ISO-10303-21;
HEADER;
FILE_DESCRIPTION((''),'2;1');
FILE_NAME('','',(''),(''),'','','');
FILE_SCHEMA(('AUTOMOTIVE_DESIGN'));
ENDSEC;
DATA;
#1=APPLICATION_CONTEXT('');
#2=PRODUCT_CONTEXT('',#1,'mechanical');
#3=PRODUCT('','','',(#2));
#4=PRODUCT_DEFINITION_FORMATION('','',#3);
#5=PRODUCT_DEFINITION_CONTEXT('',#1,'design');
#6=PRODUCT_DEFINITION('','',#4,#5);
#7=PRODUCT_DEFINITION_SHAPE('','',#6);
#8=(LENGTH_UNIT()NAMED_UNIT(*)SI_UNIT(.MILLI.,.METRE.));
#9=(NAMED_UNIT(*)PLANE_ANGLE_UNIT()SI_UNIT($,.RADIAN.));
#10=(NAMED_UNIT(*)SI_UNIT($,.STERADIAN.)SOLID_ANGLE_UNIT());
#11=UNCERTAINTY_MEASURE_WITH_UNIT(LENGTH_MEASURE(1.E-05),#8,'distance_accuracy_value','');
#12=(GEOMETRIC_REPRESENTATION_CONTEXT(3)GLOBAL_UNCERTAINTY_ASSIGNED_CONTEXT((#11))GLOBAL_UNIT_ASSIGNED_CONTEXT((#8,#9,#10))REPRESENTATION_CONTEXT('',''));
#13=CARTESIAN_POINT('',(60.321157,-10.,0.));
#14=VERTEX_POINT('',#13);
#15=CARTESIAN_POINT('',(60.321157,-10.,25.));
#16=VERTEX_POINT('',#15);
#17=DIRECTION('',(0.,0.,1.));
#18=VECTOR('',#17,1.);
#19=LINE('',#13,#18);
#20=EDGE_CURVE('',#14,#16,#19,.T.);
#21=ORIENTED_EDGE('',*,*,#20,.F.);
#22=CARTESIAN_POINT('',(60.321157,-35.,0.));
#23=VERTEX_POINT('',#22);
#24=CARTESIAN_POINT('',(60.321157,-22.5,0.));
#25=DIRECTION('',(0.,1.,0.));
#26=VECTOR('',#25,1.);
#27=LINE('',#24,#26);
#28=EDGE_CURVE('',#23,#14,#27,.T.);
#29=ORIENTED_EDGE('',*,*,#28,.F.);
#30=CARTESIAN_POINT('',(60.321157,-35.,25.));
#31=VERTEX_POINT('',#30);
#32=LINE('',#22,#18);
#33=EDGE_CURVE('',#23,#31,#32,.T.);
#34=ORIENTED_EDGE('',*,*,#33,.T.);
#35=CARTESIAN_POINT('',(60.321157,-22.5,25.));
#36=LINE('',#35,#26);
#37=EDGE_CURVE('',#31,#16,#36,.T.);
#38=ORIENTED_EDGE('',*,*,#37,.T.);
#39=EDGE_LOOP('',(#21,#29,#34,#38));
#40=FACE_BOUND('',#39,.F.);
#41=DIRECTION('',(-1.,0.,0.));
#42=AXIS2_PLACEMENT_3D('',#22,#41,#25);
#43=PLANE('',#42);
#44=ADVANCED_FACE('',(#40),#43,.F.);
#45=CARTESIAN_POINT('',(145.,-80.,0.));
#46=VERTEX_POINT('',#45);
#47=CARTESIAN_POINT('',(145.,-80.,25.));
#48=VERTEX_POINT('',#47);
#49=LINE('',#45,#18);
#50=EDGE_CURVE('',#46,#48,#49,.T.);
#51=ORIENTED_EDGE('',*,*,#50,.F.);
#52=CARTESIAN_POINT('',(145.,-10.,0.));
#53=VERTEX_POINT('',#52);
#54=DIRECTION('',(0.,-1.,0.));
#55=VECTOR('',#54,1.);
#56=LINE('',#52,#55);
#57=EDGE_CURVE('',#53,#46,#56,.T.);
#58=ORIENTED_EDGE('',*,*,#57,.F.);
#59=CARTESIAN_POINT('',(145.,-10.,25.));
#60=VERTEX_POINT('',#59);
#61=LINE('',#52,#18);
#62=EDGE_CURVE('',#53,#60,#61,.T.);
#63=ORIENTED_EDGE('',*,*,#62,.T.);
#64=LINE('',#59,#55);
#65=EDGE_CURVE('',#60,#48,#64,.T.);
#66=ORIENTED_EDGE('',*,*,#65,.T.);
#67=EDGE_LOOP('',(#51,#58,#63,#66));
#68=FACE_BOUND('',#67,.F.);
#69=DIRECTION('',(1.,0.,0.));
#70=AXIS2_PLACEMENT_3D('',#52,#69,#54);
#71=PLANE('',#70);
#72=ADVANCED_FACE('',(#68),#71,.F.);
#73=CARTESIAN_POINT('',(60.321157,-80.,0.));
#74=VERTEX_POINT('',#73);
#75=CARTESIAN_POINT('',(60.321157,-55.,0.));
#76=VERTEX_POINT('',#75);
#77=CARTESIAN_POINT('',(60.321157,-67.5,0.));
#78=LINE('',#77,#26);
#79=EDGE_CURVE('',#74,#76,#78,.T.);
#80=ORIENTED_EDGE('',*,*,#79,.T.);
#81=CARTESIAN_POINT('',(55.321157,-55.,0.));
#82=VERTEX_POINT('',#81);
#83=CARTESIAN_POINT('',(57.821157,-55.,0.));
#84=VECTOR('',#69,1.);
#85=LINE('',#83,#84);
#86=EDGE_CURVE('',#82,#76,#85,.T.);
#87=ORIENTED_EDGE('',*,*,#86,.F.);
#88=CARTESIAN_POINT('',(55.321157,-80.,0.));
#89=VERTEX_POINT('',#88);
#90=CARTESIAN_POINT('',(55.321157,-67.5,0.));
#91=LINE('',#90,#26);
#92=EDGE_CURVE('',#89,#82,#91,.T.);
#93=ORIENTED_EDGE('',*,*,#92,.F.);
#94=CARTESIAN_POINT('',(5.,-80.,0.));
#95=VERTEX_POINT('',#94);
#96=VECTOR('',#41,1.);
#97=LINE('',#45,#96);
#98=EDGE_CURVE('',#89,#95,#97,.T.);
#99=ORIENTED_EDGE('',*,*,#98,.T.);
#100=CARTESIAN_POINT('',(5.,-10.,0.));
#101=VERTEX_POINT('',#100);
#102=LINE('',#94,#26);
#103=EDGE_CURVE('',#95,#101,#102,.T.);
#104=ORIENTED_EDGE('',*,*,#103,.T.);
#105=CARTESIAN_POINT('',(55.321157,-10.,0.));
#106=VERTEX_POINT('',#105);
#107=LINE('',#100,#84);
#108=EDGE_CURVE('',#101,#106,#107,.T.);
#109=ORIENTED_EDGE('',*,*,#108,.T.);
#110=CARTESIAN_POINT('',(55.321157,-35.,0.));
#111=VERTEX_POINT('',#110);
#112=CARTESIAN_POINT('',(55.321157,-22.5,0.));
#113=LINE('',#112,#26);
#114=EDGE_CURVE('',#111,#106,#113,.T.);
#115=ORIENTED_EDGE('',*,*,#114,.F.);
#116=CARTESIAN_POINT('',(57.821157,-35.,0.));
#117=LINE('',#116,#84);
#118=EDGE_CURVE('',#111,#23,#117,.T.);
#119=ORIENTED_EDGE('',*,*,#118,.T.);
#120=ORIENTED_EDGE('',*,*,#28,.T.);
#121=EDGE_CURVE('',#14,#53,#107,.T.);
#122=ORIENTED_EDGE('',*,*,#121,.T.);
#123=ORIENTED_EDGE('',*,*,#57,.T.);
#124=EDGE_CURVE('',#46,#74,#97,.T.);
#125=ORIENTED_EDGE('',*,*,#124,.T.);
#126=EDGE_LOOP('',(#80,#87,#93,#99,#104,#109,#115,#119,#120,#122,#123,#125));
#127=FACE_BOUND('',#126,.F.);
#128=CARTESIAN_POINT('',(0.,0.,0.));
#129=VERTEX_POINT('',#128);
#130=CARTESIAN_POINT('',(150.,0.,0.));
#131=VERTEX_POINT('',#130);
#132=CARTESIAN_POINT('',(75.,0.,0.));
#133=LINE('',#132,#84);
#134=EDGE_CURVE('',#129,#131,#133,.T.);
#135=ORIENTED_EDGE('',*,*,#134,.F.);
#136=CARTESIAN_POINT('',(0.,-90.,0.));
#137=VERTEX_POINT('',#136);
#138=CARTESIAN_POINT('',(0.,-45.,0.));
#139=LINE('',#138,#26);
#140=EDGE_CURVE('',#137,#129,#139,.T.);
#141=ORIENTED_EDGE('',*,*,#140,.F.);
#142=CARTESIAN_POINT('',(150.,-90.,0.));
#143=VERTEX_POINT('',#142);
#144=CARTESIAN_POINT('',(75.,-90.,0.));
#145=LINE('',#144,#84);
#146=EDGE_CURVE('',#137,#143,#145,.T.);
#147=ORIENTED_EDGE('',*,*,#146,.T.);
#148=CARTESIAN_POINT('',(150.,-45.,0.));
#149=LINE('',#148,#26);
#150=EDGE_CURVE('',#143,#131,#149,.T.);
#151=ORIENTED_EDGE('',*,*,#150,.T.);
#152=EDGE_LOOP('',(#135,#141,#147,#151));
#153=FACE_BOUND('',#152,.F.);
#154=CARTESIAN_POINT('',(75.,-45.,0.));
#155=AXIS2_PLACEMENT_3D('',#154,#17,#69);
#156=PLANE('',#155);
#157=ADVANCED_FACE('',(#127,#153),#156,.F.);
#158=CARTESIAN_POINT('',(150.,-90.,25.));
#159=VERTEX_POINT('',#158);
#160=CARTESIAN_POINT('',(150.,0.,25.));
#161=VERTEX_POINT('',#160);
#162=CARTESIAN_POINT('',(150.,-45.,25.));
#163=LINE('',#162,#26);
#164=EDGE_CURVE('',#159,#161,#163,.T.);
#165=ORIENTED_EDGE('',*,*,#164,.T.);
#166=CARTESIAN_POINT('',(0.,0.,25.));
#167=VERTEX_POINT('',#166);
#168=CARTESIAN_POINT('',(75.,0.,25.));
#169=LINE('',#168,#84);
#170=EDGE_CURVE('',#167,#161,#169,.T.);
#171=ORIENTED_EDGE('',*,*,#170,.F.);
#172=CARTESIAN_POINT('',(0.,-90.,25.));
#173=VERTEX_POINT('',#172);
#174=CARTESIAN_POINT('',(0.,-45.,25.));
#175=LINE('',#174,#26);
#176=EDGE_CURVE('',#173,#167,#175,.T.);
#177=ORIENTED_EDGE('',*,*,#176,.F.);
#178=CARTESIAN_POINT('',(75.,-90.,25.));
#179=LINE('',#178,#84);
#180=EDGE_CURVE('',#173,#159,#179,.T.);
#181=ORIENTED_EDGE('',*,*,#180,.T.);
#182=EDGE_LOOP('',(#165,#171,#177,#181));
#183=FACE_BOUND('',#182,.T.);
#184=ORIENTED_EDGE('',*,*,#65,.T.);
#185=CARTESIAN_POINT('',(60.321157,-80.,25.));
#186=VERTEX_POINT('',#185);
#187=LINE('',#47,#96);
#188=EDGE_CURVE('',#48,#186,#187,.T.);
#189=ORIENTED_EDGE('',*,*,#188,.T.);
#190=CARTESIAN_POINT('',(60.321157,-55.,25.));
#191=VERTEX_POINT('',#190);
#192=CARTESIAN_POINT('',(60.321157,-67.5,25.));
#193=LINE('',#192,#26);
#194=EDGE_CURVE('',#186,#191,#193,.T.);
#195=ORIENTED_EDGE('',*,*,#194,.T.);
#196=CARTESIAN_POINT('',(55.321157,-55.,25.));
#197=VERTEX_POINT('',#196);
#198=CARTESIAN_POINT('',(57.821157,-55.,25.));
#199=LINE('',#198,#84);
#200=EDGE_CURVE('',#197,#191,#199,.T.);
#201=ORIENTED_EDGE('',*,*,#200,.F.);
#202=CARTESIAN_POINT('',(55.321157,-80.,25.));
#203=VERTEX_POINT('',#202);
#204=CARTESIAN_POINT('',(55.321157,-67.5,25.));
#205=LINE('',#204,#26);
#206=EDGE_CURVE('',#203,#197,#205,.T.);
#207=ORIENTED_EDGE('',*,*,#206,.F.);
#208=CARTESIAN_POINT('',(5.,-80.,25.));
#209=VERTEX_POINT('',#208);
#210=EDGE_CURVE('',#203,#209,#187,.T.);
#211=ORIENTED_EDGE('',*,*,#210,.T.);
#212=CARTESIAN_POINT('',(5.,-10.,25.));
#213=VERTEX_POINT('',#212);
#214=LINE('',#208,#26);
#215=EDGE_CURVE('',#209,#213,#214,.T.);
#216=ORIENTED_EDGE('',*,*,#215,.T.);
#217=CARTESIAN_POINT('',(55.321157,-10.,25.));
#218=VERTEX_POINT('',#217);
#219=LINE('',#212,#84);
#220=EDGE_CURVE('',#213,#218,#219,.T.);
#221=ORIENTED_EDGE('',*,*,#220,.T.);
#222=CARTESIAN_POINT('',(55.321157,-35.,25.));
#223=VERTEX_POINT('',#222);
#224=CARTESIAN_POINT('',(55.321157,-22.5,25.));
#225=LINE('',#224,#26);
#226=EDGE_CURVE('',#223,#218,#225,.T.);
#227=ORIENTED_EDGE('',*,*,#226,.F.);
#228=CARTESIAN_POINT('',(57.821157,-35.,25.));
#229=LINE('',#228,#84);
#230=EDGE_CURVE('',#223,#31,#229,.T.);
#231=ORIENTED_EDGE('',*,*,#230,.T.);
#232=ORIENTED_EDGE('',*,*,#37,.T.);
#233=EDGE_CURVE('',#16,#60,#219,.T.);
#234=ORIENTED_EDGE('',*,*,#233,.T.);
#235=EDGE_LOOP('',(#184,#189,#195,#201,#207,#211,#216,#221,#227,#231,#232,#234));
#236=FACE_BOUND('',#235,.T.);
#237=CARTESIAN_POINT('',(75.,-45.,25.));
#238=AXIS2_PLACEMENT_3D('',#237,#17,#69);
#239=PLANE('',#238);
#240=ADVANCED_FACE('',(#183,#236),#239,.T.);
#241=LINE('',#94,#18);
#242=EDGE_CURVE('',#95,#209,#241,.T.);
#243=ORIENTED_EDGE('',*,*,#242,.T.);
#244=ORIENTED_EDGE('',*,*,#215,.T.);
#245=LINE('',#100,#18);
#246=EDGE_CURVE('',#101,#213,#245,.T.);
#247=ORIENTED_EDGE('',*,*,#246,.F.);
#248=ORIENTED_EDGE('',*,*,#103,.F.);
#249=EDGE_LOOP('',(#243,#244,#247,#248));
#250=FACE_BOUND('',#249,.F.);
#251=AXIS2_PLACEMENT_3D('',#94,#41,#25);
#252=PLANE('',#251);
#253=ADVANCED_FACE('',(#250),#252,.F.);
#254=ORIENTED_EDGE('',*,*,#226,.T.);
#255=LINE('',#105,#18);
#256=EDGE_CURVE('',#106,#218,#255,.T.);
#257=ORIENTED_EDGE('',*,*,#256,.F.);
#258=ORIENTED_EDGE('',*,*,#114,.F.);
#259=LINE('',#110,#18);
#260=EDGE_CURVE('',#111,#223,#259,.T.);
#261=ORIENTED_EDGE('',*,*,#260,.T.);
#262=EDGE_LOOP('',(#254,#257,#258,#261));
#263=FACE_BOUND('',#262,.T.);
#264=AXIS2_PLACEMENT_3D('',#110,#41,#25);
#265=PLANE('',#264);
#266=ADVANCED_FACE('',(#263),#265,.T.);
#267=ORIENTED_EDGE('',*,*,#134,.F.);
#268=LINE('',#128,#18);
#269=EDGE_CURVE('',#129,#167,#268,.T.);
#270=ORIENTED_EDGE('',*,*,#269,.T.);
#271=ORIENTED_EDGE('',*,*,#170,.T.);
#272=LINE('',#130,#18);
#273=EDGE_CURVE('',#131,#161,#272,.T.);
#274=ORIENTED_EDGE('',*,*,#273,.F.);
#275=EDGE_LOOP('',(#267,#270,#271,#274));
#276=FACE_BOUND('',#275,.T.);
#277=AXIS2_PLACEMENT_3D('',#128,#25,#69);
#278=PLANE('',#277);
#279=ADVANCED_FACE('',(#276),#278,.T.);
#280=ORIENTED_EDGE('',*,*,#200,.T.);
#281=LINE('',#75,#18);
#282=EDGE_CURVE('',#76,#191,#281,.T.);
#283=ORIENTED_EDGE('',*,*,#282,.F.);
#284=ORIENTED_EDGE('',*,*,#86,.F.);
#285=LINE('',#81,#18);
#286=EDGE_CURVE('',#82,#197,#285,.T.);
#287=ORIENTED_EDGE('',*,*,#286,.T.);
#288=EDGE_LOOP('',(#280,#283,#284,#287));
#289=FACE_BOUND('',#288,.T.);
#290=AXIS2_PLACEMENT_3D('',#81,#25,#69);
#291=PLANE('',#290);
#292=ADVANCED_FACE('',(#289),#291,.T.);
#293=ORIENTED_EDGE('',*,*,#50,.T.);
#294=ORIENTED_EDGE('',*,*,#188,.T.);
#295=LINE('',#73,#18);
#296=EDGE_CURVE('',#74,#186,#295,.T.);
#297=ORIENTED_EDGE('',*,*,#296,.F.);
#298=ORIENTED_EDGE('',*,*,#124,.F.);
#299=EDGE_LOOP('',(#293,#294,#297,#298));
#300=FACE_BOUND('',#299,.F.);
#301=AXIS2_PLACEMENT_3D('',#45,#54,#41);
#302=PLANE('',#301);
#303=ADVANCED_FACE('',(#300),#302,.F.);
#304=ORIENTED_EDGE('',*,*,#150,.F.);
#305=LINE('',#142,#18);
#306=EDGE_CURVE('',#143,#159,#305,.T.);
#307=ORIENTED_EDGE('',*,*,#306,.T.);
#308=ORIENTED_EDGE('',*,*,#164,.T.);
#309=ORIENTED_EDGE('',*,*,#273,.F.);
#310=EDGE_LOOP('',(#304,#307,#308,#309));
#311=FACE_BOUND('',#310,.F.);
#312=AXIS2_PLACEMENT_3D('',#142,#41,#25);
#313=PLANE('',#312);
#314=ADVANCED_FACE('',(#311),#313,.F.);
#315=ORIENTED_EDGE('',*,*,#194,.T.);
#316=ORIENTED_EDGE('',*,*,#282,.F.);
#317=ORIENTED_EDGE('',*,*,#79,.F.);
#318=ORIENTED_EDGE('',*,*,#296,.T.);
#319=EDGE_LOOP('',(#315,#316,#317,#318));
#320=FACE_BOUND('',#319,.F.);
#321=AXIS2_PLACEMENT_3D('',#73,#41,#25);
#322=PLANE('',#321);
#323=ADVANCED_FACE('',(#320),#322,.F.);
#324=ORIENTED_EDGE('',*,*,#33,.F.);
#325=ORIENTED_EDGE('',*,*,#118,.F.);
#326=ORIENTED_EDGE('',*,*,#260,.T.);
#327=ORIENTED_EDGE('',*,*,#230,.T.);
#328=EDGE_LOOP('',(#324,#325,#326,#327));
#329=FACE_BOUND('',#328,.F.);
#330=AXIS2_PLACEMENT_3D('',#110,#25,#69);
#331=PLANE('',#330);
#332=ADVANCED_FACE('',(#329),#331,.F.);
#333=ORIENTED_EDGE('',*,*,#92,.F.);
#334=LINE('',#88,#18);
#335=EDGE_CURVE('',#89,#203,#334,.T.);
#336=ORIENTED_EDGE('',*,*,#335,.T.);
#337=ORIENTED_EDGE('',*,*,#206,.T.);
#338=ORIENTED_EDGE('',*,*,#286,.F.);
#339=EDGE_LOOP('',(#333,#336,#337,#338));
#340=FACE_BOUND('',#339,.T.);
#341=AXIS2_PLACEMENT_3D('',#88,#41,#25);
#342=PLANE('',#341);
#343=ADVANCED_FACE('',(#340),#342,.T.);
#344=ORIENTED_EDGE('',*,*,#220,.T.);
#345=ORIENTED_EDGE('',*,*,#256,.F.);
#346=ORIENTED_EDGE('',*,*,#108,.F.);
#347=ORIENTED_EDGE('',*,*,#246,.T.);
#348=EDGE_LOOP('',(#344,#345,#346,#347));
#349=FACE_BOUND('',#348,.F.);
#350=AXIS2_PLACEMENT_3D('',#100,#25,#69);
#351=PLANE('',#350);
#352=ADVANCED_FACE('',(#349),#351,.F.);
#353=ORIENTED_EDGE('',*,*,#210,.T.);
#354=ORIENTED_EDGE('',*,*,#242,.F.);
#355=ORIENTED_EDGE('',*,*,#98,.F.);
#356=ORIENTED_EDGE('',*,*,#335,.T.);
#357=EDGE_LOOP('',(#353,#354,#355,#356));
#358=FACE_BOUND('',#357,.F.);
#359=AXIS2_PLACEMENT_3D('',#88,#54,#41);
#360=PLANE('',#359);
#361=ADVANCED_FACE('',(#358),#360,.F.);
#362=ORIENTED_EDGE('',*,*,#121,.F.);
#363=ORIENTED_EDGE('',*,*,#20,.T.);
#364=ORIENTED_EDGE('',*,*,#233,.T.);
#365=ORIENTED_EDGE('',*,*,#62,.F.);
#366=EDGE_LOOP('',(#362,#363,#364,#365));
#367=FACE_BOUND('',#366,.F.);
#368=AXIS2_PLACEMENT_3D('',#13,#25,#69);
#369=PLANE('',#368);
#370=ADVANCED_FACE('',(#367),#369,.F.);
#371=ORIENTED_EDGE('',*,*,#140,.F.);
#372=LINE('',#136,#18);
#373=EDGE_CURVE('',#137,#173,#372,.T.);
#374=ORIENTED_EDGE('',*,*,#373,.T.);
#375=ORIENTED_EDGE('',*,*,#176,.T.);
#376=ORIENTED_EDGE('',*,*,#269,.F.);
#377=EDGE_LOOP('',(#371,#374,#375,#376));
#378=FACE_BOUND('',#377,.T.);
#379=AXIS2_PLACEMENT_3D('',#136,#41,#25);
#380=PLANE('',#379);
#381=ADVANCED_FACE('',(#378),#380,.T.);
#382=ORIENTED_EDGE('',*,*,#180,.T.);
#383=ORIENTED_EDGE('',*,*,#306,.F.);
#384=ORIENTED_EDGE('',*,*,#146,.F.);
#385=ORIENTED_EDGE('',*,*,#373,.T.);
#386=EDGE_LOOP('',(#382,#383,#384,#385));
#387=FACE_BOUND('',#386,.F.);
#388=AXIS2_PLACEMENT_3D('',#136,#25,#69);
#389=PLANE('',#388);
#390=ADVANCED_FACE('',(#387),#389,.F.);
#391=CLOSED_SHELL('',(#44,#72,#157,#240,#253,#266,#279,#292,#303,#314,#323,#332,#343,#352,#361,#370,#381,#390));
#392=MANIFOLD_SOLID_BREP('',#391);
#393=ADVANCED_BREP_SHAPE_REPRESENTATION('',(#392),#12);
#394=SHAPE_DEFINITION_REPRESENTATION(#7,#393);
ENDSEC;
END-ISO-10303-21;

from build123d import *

# Parameters (mm, degrees)
F0_W     = 150
F0_H     = 90
F0_W_2   = 5
F0_H_2   = 25
F1_DEPTH = 25


with BuildPart() as f1:
    # F0 (on Top) → F1 (new body)
    with BuildSketch(Plane.XY):
        with Locations((75, -45)):
            Rectangle(F0_W, F0_H)
        Polygon((5, -80), (5, -10), (55.321157, -10), (60.321157, -10), (145, -10), (145, -80), (60.321157, -80), (55.321157, -80), align=None, mode=Mode.SUBTRACT)
        with Locations((57.821157, -22.5)):
            Rectangle(F0_W_2, F0_H_2)
        with Locations((57.821157, -67.5)):
            Rectangle(F0_W_2, F0_H_2)
    extrude(amount=F1_DEPTH)


solid = f1.part
